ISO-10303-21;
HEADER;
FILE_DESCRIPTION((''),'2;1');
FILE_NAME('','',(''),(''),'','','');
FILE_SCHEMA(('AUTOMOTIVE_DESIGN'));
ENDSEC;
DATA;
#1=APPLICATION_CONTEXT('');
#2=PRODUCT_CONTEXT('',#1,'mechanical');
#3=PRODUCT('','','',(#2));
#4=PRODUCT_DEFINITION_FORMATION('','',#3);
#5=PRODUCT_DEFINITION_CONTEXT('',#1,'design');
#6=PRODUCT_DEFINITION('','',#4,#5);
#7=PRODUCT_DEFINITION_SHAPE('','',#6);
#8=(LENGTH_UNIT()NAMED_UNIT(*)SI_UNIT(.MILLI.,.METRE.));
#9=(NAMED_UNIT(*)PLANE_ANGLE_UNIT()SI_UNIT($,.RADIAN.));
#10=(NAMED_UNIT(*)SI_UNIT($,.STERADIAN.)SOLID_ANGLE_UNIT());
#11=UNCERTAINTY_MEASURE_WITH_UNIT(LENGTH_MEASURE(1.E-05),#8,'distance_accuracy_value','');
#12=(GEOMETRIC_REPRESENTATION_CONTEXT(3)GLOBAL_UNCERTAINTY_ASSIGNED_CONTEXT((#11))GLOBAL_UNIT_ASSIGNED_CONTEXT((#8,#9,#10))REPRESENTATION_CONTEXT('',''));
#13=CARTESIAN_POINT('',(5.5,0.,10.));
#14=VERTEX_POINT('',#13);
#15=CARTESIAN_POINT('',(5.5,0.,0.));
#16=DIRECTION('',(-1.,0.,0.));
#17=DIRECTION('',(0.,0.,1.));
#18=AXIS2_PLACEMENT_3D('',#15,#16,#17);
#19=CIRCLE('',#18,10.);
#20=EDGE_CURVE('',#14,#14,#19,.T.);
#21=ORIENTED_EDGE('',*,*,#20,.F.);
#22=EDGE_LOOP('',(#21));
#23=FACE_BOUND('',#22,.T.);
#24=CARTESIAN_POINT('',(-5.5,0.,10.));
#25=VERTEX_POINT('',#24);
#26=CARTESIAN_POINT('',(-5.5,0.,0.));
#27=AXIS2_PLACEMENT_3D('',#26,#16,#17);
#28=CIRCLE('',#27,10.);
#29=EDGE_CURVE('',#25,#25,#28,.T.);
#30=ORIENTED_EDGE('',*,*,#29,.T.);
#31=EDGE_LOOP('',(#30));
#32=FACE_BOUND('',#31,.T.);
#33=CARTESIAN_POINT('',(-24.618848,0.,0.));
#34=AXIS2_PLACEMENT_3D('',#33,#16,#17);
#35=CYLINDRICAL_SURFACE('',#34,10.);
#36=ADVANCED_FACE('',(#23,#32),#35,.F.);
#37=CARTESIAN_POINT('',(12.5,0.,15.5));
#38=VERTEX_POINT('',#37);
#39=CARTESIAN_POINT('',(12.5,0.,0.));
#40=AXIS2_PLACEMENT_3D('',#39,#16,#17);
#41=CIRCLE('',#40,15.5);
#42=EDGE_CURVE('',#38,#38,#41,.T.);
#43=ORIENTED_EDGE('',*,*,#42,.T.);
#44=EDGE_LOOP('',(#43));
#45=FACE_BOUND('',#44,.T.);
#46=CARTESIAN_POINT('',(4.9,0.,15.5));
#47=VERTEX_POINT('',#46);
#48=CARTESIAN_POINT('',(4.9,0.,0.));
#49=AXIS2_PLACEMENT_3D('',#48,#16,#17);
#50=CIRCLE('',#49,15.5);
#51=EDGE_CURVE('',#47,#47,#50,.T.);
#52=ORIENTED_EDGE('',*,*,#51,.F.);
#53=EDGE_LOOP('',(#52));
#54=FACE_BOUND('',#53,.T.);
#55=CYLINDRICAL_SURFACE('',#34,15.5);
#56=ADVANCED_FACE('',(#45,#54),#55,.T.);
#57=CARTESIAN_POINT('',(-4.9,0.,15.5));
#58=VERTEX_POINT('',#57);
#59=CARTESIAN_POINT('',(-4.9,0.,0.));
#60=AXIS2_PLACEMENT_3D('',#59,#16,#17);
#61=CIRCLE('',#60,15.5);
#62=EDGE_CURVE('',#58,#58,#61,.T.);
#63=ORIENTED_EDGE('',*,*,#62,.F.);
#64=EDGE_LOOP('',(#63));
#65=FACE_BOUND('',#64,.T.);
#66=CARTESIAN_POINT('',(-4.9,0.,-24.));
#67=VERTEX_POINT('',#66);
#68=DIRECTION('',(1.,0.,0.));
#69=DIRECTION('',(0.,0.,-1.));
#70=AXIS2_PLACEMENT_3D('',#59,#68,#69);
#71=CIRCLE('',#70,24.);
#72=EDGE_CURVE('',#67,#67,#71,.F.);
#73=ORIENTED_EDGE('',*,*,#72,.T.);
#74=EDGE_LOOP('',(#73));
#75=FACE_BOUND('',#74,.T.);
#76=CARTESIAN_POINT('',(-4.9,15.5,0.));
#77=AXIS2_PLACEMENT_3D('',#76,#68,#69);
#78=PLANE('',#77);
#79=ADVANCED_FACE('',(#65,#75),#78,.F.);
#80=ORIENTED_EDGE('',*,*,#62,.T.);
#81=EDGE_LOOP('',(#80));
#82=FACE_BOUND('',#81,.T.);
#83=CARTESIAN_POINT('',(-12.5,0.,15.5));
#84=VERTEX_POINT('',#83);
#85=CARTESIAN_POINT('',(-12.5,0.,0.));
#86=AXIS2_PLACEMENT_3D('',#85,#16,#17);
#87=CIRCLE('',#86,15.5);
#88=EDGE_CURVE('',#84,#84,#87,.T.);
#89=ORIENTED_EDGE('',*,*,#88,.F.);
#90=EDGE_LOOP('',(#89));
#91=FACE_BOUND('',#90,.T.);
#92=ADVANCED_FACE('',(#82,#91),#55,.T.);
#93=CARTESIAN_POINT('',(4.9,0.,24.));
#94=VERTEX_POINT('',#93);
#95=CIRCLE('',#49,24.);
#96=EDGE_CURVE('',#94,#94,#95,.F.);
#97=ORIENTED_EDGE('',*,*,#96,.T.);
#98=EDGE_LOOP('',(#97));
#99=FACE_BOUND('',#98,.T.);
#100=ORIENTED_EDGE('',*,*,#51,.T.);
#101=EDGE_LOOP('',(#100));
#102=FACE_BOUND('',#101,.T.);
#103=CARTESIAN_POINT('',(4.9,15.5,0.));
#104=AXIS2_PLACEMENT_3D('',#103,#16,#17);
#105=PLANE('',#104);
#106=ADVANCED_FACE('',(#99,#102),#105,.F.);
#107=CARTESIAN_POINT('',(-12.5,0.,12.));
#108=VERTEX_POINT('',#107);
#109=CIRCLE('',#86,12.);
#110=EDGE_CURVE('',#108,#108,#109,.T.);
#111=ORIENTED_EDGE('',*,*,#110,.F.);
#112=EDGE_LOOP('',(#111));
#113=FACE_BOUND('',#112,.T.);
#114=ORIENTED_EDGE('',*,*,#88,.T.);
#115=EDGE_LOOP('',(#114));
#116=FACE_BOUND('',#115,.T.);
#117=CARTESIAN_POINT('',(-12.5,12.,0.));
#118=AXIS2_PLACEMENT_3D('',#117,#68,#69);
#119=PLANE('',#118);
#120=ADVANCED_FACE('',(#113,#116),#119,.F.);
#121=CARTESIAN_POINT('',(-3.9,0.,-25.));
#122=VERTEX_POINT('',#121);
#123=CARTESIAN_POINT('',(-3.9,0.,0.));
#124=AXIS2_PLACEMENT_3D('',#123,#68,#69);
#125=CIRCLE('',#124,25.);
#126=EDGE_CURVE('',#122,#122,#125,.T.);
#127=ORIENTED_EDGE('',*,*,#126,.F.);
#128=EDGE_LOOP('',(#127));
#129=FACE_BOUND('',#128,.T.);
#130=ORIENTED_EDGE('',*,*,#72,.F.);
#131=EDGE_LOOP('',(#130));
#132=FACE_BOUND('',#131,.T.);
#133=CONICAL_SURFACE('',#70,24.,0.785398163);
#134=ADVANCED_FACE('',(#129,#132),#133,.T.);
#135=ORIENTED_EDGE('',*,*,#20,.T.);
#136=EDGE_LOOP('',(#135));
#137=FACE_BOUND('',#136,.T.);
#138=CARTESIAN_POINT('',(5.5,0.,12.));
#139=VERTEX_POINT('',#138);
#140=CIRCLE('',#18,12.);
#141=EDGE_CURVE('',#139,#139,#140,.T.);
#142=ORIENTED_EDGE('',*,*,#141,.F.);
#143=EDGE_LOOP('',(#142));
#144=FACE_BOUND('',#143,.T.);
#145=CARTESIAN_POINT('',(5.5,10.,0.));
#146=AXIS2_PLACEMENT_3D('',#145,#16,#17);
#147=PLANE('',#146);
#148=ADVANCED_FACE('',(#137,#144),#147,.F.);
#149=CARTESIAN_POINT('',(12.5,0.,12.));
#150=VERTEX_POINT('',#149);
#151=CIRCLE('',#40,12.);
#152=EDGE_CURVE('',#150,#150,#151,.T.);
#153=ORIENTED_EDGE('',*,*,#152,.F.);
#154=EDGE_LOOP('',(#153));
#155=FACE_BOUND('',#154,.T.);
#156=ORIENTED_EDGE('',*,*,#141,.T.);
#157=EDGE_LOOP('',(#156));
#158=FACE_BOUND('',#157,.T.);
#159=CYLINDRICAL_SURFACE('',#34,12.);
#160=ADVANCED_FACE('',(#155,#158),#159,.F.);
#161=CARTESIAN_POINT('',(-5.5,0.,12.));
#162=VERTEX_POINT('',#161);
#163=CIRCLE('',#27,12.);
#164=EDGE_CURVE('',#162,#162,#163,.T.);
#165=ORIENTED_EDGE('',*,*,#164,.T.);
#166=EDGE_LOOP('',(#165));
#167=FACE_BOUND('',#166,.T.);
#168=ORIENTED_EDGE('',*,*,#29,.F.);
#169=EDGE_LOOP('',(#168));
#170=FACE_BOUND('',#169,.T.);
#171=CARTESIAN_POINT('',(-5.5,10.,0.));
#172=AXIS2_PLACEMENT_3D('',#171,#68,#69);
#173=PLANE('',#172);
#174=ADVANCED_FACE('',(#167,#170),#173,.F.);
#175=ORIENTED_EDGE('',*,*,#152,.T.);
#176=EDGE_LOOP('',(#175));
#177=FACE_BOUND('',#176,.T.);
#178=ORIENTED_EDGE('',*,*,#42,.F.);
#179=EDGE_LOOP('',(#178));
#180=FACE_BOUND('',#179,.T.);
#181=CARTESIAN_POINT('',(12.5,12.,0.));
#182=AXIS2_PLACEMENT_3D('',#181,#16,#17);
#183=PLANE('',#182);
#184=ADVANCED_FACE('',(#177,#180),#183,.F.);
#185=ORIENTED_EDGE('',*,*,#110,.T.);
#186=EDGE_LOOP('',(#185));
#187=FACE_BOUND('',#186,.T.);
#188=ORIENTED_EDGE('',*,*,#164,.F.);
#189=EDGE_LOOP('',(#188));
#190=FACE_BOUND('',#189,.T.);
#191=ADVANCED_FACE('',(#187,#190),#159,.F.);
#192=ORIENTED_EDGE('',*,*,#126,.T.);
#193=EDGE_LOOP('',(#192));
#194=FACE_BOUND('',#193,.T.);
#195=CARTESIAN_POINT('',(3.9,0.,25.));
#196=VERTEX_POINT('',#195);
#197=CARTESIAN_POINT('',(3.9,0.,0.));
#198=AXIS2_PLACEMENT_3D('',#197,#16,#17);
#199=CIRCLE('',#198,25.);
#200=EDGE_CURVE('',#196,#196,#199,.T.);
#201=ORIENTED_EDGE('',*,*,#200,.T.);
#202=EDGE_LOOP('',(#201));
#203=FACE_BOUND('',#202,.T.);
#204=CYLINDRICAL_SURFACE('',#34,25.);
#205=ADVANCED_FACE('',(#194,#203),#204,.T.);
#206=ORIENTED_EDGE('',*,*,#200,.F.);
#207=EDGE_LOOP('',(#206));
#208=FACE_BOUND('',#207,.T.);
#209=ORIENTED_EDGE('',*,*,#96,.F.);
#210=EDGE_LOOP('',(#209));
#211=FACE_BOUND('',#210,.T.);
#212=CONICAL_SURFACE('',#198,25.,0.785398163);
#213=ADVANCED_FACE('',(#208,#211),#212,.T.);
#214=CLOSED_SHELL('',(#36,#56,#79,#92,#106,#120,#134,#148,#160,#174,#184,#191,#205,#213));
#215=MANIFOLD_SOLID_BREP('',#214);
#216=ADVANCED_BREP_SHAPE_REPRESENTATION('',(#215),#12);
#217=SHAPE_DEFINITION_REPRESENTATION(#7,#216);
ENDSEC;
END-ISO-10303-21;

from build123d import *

# Parameters (mm, degrees)
CHAMFER_1_SIZE = 1


with BuildPart() as part:
    # Эскиз1 → Повернуть1 (revolve)
    with BuildSketch(Plane.XY, mode=Mode.PRIVATE) as revolve_1_sk:
        Polygon((-5.5, 10), (5.5, 10), (5.5, 12), (12.5, 12), (12.5, 15.5), (4.9, 15.5), (4.9, 25), (-4.9, 25), (-4.9, 15.5), (-12.5, 15.5), (-12.5, 12), (-5.5, 12), align=None)
    revolve(revolve_1_sk.sketch.rotate(Axis((-24.618848289, 0, 0), (1, 0, 0)), 90), axis=Axis((-24.618848289, 0, 0), (1, 0, 0)))  # turned: the seam where the file's is

    # Фаска1
    chamfer_1_edges = [part.edges().sort_by_distance(p)[0] for p in [
        (-4.9, 0, -25),
        (4.9, 0, -25),
    ]]
    chamfer(chamfer_1_edges, length=CHAMFER_1_SIZE)


solid = part.part
